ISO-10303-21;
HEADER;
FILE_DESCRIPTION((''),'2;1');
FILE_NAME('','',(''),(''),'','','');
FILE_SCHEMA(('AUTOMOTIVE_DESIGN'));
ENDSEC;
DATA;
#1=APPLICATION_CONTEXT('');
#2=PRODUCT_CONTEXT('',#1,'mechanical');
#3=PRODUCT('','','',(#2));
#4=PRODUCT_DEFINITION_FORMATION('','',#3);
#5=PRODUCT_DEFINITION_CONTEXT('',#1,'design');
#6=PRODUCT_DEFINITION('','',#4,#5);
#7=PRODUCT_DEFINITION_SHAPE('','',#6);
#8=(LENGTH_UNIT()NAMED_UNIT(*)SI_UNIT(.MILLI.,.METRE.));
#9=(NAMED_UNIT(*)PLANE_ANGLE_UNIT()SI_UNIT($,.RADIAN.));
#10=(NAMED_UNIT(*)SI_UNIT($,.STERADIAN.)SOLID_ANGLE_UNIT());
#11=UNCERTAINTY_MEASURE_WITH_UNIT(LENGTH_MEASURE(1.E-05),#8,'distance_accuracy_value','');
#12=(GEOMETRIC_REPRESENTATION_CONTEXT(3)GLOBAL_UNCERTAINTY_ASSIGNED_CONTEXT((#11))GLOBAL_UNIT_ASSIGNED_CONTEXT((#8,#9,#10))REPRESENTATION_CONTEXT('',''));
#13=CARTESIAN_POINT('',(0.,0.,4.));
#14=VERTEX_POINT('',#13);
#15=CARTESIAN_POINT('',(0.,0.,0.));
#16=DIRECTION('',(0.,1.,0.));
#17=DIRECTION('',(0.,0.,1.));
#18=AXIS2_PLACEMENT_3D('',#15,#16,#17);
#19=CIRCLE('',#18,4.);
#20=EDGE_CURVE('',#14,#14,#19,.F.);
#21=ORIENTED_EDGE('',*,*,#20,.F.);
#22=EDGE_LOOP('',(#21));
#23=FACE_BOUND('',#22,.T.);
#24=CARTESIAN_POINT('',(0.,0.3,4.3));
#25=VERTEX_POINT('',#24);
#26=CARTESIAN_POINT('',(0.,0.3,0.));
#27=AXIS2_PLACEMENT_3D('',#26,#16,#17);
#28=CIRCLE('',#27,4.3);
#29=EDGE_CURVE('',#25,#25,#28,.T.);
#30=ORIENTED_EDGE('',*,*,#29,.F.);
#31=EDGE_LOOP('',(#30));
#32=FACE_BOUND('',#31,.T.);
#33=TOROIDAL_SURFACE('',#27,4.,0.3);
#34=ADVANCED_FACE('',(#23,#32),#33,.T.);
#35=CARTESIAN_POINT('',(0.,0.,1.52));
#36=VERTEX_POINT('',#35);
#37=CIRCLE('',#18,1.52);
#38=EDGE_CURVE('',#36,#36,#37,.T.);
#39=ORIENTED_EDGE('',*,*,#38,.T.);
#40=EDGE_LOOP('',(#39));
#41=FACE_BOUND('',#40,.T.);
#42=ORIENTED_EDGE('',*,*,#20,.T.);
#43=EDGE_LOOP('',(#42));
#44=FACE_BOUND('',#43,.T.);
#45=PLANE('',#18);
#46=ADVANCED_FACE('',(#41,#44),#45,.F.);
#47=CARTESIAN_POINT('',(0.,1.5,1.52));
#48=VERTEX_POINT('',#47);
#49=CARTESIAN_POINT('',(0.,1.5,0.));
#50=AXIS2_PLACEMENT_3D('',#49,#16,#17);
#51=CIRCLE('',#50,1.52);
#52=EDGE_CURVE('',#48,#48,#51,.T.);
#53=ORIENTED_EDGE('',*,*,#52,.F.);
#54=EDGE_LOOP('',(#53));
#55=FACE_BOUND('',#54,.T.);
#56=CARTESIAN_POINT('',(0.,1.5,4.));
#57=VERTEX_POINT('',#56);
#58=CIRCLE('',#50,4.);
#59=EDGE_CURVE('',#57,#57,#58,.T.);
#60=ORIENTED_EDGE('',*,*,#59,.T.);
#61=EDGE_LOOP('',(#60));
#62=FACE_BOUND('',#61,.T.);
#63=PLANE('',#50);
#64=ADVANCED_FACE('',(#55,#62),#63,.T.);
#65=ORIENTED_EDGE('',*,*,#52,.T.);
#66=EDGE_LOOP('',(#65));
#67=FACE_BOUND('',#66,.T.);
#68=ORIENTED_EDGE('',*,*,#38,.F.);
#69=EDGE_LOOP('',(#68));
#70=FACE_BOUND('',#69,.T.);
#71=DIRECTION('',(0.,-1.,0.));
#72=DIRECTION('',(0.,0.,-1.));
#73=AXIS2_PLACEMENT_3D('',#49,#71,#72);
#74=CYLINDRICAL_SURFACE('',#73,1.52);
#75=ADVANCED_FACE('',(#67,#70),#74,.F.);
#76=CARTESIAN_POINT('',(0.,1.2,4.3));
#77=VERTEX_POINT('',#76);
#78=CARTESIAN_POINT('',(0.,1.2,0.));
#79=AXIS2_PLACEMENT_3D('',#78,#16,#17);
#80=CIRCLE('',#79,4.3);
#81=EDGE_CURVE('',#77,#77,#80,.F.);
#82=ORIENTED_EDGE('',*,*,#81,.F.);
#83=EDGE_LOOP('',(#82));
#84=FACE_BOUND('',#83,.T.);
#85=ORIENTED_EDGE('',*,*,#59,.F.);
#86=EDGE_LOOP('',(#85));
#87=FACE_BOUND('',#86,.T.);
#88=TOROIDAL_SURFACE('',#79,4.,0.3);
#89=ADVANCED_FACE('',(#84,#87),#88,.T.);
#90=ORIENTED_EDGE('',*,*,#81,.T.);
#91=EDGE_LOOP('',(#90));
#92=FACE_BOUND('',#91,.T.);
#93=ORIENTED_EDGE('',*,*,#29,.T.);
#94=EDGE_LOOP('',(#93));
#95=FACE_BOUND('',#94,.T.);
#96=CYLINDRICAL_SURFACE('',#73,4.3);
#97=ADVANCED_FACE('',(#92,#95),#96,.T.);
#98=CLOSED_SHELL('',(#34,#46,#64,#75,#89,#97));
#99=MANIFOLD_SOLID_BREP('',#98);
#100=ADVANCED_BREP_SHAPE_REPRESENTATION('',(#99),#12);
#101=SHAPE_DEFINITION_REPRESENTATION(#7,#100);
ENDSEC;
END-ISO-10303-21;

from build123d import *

# Parameters (mm, degrees)
SKETCH1_R           = 4.3
SKETCH1_R_2         = 1.52
BOSS_EXTRUDE3_DEPTH = 1.5
FILLET3_R           = 0.3


with BuildPart() as part:
    # Sketch1 → Boss-Extrude3 (new body)
    with BuildSketch(Plane(origin=(0, 0, 0), x_dir=(1, 0, 0), z_dir=(0, 1, 0))):
        with Locations(Location((0, 0, 0), (0, 0, 270))):
            Circle(SKETCH1_R)
        with Locations(Location((0, 0, 0), (0, 0, 270))):
            Circle(SKETCH1_R_2, mode=Mode.SUBTRACT)
    extrude(amount=BOSS_EXTRUDE3_DEPTH)

    # Fillet3
    fillet3_edges = [part.edges().sort_by_distance(p)[0] for p in [
        (0, 0, -4.3),
        (0, 1.5, -4.3),
    ]]
    fillet(fillet3_edges, radius=FILLET3_R)


solid = part.part
